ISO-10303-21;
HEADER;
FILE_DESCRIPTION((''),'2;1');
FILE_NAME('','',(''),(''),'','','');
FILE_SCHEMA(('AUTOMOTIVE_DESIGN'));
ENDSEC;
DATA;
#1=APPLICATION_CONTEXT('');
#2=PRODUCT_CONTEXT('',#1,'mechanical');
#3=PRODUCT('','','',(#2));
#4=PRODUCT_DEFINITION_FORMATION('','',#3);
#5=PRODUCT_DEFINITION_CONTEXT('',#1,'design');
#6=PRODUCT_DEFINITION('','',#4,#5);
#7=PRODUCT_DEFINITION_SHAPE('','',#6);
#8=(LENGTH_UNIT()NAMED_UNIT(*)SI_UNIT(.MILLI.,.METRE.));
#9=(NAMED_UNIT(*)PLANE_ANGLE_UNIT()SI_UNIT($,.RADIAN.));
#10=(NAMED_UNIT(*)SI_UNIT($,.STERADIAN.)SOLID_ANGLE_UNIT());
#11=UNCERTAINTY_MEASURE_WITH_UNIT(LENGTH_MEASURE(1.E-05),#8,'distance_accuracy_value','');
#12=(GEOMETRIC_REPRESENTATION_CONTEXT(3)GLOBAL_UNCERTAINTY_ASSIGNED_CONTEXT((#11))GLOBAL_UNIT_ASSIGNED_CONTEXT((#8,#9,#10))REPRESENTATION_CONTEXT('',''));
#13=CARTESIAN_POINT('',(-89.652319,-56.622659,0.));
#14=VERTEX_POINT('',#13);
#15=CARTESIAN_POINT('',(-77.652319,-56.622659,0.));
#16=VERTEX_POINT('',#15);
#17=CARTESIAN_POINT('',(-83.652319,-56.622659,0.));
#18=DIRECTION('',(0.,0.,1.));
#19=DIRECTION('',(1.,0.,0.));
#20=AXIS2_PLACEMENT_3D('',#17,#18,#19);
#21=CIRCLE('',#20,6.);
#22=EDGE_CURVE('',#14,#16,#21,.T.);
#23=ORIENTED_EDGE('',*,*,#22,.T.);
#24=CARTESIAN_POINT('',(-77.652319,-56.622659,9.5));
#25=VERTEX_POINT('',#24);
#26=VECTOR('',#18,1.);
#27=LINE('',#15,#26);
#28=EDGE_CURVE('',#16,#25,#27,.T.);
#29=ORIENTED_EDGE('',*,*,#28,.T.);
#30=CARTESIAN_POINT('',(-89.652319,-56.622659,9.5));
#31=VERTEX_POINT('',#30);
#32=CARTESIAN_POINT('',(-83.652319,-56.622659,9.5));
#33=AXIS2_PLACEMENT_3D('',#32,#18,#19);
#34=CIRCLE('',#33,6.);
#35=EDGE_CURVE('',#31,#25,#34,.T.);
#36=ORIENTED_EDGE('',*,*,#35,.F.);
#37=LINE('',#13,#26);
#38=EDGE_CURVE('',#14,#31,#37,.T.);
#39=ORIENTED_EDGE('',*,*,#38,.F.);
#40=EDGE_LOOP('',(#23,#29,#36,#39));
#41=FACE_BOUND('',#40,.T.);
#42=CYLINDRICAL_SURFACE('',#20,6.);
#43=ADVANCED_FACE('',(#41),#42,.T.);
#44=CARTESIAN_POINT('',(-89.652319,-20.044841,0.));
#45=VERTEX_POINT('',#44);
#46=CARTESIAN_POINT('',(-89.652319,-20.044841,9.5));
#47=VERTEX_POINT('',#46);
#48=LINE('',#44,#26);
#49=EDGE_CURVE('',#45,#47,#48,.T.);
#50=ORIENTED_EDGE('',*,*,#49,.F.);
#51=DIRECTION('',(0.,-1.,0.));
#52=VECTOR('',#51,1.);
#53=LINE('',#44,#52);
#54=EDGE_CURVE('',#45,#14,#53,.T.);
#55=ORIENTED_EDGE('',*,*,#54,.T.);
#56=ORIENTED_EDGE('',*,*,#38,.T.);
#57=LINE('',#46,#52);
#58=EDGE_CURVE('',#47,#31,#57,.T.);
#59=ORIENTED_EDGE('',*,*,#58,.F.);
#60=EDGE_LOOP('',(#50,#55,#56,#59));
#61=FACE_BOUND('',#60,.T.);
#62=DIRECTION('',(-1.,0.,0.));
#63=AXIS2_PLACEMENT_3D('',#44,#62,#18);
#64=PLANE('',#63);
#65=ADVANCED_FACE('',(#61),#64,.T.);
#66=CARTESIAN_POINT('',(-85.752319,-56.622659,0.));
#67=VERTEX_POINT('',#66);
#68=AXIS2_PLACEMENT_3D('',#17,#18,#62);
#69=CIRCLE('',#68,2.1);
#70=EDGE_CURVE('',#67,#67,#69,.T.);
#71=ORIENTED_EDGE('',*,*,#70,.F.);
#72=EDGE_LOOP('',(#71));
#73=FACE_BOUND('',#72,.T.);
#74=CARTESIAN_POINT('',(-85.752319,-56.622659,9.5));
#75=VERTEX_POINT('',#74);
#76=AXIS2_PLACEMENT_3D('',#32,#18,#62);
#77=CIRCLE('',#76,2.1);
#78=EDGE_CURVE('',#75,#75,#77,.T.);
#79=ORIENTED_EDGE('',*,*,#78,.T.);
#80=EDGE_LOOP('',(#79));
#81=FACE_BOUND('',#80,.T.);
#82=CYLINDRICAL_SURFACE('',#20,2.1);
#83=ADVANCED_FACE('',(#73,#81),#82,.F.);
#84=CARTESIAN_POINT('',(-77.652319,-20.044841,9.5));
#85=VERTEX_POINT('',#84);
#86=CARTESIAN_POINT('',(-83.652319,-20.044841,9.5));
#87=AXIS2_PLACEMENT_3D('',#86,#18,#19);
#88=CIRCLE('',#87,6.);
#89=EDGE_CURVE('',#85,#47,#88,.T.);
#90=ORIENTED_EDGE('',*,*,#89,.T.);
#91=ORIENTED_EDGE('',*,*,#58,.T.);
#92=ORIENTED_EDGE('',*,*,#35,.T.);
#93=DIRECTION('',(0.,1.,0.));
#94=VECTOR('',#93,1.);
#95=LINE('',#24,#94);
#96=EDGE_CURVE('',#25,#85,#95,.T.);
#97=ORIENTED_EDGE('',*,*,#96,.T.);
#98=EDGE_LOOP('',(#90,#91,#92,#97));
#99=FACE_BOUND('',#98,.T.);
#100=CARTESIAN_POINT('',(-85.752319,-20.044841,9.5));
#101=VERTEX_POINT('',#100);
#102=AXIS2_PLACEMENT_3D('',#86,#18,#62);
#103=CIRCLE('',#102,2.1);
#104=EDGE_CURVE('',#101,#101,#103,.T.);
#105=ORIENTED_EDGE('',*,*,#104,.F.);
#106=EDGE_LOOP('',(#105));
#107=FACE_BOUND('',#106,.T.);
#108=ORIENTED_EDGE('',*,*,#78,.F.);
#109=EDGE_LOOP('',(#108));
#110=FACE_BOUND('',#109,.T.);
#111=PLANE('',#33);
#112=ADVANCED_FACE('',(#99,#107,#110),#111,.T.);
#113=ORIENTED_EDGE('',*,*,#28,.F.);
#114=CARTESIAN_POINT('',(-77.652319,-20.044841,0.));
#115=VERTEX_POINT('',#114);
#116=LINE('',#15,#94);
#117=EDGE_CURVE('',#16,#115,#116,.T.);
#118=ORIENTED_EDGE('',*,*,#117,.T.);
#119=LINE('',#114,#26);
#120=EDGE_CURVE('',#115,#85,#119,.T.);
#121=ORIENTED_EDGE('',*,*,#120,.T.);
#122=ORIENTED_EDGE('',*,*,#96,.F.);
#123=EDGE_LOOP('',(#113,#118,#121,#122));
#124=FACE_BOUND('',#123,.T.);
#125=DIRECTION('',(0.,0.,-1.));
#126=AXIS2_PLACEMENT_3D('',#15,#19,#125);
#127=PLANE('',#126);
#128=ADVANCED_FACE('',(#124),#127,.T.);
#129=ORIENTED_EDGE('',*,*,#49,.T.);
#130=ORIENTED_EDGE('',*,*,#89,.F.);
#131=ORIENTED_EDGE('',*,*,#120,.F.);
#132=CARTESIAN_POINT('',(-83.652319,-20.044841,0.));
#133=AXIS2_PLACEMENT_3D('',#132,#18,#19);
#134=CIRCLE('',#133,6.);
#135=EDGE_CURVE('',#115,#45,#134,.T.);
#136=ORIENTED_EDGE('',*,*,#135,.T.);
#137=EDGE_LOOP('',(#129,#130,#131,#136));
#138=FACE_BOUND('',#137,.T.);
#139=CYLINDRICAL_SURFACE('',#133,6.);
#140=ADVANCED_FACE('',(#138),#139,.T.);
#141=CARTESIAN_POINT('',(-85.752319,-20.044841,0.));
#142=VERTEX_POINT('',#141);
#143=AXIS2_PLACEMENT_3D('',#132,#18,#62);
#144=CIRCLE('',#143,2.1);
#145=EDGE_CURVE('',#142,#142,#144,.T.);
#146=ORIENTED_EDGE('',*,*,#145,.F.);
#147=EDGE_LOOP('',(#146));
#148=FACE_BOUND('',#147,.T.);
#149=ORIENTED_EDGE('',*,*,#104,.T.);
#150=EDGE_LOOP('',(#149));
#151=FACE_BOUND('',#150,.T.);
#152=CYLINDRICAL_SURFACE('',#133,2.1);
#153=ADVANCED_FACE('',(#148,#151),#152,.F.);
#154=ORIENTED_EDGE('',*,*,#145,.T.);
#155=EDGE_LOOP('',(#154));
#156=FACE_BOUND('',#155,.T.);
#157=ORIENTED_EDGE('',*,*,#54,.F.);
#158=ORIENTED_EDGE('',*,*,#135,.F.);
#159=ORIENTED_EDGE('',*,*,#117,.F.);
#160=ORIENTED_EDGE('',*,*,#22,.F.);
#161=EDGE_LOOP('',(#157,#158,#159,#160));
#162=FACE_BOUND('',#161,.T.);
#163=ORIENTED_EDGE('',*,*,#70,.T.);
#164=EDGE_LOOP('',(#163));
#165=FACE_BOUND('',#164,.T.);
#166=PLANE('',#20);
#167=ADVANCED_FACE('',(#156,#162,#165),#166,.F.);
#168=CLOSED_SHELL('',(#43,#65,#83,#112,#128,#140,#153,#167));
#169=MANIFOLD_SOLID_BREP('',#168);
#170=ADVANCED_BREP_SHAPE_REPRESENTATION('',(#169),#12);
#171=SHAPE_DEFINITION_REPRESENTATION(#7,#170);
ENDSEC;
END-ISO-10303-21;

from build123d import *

# Parameters (mm, degrees)
ESBO_O1_R                = 2.1
RESSALTO_EXTRUS_O1_DEPTH = 9.5


with BuildPart() as part:
    # Esboço1 → Ressalto-extrusão1 (new body)
    with BuildSketch(Plane.XY.offset(9.5)):
        with BuildLine():
            Line((-77.652318909, -56.622659468), (-77.652318909, -20.044841126))
            ThreePointArc((-77.652318909, -20.044841126), (-83.652318909, -14.044841126), (-89.652318909, -20.044841126))
            Line((-89.652318909, -20.044841126), (-89.652318909, -56.622659468))
            ThreePointArc((-89.652318909, -56.622659468), (-83.652318909, -62.622659468), (-77.652318909, -56.622659468))
        make_face()
        with Locations((-83.652318909, -56.622659468)):
            Circle(ESBO_O1_R, mode=Mode.SUBTRACT)
        with Locations((-83.652318909, -20.044841126)):
            Circle(ESBO_O1_R, mode=Mode.SUBTRACT)
    extrude(amount=-RESSALTO_EXTRUS_O1_DEPTH)


solid = part.part
